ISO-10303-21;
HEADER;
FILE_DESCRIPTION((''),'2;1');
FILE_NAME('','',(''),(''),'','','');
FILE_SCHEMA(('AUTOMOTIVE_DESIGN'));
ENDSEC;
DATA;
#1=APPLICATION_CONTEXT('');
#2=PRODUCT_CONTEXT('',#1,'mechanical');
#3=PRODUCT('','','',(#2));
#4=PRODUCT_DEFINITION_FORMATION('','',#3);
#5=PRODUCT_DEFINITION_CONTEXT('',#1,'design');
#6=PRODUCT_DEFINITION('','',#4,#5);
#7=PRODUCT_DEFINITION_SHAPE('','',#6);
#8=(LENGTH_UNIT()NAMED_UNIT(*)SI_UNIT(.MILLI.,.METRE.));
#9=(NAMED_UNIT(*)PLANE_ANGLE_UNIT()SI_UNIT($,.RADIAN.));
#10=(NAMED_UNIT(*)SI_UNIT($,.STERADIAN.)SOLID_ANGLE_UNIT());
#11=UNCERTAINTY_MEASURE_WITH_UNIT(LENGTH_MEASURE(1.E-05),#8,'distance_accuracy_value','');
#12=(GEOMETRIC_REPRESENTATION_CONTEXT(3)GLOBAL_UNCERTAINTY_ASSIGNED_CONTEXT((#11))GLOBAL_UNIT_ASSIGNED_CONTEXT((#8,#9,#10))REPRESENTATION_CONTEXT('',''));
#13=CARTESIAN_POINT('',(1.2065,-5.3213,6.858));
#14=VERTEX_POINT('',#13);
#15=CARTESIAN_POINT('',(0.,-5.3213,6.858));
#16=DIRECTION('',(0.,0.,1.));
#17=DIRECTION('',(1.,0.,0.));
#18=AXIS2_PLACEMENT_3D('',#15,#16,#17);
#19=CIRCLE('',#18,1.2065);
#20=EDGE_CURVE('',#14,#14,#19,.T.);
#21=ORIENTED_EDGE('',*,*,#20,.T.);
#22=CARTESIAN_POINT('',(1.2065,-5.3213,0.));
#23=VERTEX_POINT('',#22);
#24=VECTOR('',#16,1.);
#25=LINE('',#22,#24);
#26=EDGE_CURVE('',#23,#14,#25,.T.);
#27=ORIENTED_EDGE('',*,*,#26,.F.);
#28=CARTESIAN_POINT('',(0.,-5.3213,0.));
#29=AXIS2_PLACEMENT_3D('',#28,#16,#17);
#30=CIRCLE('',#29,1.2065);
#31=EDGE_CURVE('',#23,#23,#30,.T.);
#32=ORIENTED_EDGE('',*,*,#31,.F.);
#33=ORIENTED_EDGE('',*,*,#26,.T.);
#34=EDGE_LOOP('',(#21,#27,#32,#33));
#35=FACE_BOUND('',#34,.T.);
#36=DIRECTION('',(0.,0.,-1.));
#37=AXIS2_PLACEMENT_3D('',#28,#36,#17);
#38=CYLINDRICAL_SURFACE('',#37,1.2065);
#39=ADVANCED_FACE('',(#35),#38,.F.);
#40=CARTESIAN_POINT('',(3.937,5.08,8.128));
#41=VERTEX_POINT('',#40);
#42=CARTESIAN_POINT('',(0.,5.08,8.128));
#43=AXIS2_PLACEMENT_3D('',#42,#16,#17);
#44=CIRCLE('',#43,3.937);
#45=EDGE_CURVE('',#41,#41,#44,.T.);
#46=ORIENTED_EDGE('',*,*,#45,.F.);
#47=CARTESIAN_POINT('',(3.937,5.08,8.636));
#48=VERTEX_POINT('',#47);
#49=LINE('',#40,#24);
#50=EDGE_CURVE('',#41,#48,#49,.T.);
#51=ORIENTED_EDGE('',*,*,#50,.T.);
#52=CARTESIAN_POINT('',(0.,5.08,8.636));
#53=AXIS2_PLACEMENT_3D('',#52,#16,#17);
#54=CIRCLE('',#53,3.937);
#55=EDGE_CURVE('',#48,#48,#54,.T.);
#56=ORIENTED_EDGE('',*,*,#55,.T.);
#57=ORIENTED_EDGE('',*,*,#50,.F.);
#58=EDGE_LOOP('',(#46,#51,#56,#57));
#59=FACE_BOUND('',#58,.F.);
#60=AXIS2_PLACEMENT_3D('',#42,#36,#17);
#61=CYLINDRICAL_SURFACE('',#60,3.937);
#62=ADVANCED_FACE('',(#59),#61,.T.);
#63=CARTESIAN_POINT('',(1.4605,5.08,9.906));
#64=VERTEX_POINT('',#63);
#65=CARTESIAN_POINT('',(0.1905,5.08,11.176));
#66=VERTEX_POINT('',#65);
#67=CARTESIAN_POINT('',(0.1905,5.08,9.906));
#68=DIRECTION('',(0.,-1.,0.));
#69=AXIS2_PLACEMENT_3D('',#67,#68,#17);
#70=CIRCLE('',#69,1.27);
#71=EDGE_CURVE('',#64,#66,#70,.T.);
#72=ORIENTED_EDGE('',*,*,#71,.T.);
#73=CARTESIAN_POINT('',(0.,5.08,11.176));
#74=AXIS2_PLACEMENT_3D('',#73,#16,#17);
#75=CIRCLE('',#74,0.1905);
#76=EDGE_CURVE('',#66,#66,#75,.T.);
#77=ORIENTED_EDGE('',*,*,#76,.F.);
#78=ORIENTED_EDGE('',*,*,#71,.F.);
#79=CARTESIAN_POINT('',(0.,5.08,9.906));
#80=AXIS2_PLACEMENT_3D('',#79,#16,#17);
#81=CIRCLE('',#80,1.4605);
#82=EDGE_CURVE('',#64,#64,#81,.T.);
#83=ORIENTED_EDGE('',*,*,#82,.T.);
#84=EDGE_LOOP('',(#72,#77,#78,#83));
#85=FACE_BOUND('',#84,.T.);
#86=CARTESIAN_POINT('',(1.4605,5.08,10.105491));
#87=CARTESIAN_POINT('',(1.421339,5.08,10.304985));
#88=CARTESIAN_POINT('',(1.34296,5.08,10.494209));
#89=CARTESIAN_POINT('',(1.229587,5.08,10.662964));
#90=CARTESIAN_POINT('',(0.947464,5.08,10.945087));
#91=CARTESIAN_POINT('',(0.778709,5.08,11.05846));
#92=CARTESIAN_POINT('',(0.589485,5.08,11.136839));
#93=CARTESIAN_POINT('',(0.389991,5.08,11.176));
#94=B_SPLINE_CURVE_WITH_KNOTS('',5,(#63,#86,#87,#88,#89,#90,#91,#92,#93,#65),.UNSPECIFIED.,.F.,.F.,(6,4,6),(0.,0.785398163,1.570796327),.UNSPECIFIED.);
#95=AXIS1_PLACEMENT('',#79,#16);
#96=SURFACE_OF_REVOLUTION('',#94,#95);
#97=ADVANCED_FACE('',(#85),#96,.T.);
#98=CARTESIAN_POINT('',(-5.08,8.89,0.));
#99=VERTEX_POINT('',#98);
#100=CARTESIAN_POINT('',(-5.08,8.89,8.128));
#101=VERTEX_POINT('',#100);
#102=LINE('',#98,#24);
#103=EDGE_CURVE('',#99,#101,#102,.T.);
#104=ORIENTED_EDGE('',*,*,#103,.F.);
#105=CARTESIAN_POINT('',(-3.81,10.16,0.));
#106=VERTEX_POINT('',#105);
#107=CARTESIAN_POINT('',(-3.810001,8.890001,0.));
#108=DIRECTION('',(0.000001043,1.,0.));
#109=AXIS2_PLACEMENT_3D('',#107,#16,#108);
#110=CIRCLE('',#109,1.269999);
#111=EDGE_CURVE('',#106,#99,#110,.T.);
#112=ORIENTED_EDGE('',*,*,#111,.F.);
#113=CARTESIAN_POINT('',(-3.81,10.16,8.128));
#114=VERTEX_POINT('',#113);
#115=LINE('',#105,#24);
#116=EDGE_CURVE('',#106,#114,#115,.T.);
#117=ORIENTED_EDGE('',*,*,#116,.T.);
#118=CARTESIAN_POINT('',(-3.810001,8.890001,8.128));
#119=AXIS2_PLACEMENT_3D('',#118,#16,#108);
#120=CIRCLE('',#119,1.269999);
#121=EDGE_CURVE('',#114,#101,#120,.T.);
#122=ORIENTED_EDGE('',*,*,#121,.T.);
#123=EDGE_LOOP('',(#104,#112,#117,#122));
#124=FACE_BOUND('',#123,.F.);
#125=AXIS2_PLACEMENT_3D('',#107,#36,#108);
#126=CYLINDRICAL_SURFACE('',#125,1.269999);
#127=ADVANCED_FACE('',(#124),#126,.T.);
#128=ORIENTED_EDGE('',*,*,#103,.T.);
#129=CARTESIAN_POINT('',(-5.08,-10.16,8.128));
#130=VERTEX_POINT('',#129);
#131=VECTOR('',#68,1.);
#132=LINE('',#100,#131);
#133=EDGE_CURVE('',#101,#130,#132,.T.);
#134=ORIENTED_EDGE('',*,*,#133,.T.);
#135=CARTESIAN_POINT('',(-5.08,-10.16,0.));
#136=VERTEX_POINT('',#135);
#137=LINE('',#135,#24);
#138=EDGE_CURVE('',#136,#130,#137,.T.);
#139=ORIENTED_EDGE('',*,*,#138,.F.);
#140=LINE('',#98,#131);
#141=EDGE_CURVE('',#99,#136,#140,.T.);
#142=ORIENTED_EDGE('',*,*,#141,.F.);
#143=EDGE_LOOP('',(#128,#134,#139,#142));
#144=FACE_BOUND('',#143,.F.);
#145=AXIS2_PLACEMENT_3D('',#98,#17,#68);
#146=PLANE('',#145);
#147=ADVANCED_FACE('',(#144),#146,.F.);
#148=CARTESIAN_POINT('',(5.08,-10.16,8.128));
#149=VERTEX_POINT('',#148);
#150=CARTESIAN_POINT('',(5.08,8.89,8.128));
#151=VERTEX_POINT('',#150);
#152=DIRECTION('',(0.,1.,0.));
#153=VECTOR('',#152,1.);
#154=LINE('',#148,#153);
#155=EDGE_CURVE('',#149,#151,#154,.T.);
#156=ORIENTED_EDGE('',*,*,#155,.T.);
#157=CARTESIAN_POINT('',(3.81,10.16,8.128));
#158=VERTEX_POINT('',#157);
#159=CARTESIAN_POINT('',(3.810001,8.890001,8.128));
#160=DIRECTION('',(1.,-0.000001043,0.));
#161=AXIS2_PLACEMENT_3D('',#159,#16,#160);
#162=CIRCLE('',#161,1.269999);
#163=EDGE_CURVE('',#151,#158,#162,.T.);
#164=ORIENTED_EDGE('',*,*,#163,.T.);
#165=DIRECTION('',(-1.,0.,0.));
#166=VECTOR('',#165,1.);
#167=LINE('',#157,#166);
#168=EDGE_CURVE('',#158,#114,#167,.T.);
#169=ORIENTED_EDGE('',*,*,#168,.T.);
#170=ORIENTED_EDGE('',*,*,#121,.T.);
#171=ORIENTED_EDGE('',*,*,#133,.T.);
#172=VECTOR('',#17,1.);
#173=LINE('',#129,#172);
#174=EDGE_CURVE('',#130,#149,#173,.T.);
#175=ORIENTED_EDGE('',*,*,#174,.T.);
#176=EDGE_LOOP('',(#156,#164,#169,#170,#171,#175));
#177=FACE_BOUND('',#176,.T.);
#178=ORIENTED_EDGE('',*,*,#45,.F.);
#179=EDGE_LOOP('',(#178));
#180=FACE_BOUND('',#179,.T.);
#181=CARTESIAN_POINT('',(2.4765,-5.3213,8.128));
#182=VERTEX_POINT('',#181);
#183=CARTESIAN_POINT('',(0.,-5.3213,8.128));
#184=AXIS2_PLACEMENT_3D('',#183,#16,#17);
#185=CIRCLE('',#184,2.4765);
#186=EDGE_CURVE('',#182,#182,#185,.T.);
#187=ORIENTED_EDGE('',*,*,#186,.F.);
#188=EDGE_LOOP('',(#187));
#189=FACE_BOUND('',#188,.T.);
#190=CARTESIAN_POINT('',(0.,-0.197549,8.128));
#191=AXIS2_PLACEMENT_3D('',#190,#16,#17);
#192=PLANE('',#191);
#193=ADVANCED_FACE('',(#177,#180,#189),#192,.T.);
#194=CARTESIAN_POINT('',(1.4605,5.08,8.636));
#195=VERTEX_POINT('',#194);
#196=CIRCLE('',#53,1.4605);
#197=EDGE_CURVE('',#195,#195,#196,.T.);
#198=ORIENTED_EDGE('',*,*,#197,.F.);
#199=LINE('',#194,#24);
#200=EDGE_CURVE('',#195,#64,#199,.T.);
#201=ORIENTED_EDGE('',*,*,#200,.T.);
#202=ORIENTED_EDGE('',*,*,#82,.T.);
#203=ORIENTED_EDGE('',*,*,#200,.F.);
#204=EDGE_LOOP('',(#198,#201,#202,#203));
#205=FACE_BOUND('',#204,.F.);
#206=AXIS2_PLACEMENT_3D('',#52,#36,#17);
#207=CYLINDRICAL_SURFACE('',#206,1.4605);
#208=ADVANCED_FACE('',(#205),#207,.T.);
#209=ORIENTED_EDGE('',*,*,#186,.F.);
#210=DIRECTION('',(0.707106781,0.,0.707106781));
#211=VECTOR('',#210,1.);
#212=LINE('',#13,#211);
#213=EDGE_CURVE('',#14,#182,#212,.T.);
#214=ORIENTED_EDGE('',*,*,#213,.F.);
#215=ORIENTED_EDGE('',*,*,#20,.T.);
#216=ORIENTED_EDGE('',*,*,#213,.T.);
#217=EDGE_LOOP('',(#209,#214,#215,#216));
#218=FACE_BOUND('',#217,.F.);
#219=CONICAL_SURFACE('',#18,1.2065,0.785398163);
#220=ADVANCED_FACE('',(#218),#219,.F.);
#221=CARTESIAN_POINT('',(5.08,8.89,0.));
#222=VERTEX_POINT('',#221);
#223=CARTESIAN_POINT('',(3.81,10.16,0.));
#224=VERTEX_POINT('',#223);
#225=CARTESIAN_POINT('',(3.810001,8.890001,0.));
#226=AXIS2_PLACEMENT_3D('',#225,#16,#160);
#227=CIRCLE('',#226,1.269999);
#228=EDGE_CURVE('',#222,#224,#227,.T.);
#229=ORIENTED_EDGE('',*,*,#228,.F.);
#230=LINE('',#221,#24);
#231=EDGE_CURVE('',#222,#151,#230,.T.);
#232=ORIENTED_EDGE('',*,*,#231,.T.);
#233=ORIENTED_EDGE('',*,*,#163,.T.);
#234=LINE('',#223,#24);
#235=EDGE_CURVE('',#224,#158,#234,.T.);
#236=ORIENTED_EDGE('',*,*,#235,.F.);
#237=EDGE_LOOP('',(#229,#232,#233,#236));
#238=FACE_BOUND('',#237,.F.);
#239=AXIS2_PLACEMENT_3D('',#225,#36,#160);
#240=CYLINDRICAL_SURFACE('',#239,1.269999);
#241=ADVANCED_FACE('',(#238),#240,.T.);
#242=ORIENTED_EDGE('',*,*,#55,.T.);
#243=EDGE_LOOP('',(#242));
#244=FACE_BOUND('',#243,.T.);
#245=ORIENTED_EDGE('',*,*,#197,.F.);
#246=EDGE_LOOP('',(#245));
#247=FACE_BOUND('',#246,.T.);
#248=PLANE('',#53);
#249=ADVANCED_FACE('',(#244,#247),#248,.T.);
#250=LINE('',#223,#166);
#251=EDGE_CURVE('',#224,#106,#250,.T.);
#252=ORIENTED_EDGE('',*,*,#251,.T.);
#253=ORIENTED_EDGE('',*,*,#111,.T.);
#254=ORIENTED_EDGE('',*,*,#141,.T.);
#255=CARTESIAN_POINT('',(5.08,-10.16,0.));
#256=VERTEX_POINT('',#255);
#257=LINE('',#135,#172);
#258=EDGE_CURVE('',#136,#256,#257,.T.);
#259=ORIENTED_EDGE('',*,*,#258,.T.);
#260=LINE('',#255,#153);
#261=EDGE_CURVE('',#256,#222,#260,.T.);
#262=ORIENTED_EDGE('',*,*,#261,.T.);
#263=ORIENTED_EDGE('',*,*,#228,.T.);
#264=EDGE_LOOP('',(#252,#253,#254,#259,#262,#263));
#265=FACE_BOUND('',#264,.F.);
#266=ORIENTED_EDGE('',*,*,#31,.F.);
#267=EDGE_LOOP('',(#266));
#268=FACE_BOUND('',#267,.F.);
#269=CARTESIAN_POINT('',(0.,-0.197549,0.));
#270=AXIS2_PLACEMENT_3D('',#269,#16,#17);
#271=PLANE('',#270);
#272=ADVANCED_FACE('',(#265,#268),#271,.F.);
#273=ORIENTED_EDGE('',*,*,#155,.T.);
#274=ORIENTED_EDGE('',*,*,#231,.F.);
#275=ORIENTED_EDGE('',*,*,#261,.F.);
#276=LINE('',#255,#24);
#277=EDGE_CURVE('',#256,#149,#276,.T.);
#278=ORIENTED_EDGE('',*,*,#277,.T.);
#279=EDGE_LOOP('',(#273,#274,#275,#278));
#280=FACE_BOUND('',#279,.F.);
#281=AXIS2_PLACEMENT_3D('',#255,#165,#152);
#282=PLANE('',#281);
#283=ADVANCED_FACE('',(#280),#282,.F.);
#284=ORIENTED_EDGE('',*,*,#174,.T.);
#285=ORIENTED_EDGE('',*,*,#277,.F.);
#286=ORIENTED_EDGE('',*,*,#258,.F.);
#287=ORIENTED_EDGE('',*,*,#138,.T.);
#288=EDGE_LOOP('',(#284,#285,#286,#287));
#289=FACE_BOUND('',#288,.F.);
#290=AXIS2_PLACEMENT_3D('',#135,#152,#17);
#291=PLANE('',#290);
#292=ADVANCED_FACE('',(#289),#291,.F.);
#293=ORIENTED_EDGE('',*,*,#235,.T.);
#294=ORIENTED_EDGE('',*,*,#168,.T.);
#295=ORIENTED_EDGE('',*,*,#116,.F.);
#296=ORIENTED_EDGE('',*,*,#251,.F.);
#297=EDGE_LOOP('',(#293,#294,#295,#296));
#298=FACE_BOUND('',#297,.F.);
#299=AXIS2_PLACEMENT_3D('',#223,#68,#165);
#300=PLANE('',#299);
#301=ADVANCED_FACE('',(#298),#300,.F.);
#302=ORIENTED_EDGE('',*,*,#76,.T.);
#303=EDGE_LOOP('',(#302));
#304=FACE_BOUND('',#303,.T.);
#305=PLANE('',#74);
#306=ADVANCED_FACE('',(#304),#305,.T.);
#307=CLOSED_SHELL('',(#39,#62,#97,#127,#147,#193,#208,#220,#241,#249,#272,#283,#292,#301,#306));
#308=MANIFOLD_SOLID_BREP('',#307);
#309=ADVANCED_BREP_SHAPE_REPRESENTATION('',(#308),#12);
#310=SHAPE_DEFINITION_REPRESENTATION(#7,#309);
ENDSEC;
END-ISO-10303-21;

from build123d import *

# Parameters (mm, degrees)
F0_R     = 1.2065
F1_DEPTH = 8.128
F2_SIZE  = 1.27
F3_R     = 3.937
F4_DEPTH = 0.508
F5_R     = 1.4605
F6_DEPTH = 2.54
F7_R     = 1.27


with BuildPart() as f1:
    # F0 (on Top) → F1 (new body)
    with BuildSketch(Plane.XY):
        with BuildLine():
            Line((-5.08, -10.16), (5.08, -10.16))
            Line((5.08, -10.16), (5.08, 8.89))
            ThreePointArc((5.08, 8.89), (4.708026, 9.788026), (3.81, 10.16))
            Line((3.81, 10.16), (-3.81, 10.16))
            ThreePointArc((-3.81, 10.16), (-4.708026, 9.788026), (-5.08, 8.89))
            Line((-5.08, 8.89), (-5.08, -10.16))
        make_face()
        with Locations((0, -5.3213)):
            Circle(F0_R, mode=Mode.SUBTRACT)
    extrude(amount=F1_DEPTH)

    # F2
    f2_edges = [f1.edges().sort_by_distance(p)[0] for p in [
        (-1.2065, -5.3213, 8.128),
    ]]
    chamfer(f2_edges, length=F2_SIZE)

    # F3 (on face) → F4 (join)
    with BuildSketch(Plane.XY.offset(8.128)):
        with Locations((0, 5.08)):
            Circle(F3_R)
    extrude(amount=F4_DEPTH)

    # F5 (on face) → F6 (join)
    with BuildSketch(Plane.XY.offset(8.636)):
        with Locations((0, 5.08)):
            Circle(F5_R)
    extrude(amount=F6_DEPTH)

    # F7
    f7_edges = [f1.edges().sort_by_distance(p)[0] for p in [
        (-1.4605, 5.08, 11.176),
    ]]
    fillet(f7_edges, radius=F7_R)


solid = f1.part
